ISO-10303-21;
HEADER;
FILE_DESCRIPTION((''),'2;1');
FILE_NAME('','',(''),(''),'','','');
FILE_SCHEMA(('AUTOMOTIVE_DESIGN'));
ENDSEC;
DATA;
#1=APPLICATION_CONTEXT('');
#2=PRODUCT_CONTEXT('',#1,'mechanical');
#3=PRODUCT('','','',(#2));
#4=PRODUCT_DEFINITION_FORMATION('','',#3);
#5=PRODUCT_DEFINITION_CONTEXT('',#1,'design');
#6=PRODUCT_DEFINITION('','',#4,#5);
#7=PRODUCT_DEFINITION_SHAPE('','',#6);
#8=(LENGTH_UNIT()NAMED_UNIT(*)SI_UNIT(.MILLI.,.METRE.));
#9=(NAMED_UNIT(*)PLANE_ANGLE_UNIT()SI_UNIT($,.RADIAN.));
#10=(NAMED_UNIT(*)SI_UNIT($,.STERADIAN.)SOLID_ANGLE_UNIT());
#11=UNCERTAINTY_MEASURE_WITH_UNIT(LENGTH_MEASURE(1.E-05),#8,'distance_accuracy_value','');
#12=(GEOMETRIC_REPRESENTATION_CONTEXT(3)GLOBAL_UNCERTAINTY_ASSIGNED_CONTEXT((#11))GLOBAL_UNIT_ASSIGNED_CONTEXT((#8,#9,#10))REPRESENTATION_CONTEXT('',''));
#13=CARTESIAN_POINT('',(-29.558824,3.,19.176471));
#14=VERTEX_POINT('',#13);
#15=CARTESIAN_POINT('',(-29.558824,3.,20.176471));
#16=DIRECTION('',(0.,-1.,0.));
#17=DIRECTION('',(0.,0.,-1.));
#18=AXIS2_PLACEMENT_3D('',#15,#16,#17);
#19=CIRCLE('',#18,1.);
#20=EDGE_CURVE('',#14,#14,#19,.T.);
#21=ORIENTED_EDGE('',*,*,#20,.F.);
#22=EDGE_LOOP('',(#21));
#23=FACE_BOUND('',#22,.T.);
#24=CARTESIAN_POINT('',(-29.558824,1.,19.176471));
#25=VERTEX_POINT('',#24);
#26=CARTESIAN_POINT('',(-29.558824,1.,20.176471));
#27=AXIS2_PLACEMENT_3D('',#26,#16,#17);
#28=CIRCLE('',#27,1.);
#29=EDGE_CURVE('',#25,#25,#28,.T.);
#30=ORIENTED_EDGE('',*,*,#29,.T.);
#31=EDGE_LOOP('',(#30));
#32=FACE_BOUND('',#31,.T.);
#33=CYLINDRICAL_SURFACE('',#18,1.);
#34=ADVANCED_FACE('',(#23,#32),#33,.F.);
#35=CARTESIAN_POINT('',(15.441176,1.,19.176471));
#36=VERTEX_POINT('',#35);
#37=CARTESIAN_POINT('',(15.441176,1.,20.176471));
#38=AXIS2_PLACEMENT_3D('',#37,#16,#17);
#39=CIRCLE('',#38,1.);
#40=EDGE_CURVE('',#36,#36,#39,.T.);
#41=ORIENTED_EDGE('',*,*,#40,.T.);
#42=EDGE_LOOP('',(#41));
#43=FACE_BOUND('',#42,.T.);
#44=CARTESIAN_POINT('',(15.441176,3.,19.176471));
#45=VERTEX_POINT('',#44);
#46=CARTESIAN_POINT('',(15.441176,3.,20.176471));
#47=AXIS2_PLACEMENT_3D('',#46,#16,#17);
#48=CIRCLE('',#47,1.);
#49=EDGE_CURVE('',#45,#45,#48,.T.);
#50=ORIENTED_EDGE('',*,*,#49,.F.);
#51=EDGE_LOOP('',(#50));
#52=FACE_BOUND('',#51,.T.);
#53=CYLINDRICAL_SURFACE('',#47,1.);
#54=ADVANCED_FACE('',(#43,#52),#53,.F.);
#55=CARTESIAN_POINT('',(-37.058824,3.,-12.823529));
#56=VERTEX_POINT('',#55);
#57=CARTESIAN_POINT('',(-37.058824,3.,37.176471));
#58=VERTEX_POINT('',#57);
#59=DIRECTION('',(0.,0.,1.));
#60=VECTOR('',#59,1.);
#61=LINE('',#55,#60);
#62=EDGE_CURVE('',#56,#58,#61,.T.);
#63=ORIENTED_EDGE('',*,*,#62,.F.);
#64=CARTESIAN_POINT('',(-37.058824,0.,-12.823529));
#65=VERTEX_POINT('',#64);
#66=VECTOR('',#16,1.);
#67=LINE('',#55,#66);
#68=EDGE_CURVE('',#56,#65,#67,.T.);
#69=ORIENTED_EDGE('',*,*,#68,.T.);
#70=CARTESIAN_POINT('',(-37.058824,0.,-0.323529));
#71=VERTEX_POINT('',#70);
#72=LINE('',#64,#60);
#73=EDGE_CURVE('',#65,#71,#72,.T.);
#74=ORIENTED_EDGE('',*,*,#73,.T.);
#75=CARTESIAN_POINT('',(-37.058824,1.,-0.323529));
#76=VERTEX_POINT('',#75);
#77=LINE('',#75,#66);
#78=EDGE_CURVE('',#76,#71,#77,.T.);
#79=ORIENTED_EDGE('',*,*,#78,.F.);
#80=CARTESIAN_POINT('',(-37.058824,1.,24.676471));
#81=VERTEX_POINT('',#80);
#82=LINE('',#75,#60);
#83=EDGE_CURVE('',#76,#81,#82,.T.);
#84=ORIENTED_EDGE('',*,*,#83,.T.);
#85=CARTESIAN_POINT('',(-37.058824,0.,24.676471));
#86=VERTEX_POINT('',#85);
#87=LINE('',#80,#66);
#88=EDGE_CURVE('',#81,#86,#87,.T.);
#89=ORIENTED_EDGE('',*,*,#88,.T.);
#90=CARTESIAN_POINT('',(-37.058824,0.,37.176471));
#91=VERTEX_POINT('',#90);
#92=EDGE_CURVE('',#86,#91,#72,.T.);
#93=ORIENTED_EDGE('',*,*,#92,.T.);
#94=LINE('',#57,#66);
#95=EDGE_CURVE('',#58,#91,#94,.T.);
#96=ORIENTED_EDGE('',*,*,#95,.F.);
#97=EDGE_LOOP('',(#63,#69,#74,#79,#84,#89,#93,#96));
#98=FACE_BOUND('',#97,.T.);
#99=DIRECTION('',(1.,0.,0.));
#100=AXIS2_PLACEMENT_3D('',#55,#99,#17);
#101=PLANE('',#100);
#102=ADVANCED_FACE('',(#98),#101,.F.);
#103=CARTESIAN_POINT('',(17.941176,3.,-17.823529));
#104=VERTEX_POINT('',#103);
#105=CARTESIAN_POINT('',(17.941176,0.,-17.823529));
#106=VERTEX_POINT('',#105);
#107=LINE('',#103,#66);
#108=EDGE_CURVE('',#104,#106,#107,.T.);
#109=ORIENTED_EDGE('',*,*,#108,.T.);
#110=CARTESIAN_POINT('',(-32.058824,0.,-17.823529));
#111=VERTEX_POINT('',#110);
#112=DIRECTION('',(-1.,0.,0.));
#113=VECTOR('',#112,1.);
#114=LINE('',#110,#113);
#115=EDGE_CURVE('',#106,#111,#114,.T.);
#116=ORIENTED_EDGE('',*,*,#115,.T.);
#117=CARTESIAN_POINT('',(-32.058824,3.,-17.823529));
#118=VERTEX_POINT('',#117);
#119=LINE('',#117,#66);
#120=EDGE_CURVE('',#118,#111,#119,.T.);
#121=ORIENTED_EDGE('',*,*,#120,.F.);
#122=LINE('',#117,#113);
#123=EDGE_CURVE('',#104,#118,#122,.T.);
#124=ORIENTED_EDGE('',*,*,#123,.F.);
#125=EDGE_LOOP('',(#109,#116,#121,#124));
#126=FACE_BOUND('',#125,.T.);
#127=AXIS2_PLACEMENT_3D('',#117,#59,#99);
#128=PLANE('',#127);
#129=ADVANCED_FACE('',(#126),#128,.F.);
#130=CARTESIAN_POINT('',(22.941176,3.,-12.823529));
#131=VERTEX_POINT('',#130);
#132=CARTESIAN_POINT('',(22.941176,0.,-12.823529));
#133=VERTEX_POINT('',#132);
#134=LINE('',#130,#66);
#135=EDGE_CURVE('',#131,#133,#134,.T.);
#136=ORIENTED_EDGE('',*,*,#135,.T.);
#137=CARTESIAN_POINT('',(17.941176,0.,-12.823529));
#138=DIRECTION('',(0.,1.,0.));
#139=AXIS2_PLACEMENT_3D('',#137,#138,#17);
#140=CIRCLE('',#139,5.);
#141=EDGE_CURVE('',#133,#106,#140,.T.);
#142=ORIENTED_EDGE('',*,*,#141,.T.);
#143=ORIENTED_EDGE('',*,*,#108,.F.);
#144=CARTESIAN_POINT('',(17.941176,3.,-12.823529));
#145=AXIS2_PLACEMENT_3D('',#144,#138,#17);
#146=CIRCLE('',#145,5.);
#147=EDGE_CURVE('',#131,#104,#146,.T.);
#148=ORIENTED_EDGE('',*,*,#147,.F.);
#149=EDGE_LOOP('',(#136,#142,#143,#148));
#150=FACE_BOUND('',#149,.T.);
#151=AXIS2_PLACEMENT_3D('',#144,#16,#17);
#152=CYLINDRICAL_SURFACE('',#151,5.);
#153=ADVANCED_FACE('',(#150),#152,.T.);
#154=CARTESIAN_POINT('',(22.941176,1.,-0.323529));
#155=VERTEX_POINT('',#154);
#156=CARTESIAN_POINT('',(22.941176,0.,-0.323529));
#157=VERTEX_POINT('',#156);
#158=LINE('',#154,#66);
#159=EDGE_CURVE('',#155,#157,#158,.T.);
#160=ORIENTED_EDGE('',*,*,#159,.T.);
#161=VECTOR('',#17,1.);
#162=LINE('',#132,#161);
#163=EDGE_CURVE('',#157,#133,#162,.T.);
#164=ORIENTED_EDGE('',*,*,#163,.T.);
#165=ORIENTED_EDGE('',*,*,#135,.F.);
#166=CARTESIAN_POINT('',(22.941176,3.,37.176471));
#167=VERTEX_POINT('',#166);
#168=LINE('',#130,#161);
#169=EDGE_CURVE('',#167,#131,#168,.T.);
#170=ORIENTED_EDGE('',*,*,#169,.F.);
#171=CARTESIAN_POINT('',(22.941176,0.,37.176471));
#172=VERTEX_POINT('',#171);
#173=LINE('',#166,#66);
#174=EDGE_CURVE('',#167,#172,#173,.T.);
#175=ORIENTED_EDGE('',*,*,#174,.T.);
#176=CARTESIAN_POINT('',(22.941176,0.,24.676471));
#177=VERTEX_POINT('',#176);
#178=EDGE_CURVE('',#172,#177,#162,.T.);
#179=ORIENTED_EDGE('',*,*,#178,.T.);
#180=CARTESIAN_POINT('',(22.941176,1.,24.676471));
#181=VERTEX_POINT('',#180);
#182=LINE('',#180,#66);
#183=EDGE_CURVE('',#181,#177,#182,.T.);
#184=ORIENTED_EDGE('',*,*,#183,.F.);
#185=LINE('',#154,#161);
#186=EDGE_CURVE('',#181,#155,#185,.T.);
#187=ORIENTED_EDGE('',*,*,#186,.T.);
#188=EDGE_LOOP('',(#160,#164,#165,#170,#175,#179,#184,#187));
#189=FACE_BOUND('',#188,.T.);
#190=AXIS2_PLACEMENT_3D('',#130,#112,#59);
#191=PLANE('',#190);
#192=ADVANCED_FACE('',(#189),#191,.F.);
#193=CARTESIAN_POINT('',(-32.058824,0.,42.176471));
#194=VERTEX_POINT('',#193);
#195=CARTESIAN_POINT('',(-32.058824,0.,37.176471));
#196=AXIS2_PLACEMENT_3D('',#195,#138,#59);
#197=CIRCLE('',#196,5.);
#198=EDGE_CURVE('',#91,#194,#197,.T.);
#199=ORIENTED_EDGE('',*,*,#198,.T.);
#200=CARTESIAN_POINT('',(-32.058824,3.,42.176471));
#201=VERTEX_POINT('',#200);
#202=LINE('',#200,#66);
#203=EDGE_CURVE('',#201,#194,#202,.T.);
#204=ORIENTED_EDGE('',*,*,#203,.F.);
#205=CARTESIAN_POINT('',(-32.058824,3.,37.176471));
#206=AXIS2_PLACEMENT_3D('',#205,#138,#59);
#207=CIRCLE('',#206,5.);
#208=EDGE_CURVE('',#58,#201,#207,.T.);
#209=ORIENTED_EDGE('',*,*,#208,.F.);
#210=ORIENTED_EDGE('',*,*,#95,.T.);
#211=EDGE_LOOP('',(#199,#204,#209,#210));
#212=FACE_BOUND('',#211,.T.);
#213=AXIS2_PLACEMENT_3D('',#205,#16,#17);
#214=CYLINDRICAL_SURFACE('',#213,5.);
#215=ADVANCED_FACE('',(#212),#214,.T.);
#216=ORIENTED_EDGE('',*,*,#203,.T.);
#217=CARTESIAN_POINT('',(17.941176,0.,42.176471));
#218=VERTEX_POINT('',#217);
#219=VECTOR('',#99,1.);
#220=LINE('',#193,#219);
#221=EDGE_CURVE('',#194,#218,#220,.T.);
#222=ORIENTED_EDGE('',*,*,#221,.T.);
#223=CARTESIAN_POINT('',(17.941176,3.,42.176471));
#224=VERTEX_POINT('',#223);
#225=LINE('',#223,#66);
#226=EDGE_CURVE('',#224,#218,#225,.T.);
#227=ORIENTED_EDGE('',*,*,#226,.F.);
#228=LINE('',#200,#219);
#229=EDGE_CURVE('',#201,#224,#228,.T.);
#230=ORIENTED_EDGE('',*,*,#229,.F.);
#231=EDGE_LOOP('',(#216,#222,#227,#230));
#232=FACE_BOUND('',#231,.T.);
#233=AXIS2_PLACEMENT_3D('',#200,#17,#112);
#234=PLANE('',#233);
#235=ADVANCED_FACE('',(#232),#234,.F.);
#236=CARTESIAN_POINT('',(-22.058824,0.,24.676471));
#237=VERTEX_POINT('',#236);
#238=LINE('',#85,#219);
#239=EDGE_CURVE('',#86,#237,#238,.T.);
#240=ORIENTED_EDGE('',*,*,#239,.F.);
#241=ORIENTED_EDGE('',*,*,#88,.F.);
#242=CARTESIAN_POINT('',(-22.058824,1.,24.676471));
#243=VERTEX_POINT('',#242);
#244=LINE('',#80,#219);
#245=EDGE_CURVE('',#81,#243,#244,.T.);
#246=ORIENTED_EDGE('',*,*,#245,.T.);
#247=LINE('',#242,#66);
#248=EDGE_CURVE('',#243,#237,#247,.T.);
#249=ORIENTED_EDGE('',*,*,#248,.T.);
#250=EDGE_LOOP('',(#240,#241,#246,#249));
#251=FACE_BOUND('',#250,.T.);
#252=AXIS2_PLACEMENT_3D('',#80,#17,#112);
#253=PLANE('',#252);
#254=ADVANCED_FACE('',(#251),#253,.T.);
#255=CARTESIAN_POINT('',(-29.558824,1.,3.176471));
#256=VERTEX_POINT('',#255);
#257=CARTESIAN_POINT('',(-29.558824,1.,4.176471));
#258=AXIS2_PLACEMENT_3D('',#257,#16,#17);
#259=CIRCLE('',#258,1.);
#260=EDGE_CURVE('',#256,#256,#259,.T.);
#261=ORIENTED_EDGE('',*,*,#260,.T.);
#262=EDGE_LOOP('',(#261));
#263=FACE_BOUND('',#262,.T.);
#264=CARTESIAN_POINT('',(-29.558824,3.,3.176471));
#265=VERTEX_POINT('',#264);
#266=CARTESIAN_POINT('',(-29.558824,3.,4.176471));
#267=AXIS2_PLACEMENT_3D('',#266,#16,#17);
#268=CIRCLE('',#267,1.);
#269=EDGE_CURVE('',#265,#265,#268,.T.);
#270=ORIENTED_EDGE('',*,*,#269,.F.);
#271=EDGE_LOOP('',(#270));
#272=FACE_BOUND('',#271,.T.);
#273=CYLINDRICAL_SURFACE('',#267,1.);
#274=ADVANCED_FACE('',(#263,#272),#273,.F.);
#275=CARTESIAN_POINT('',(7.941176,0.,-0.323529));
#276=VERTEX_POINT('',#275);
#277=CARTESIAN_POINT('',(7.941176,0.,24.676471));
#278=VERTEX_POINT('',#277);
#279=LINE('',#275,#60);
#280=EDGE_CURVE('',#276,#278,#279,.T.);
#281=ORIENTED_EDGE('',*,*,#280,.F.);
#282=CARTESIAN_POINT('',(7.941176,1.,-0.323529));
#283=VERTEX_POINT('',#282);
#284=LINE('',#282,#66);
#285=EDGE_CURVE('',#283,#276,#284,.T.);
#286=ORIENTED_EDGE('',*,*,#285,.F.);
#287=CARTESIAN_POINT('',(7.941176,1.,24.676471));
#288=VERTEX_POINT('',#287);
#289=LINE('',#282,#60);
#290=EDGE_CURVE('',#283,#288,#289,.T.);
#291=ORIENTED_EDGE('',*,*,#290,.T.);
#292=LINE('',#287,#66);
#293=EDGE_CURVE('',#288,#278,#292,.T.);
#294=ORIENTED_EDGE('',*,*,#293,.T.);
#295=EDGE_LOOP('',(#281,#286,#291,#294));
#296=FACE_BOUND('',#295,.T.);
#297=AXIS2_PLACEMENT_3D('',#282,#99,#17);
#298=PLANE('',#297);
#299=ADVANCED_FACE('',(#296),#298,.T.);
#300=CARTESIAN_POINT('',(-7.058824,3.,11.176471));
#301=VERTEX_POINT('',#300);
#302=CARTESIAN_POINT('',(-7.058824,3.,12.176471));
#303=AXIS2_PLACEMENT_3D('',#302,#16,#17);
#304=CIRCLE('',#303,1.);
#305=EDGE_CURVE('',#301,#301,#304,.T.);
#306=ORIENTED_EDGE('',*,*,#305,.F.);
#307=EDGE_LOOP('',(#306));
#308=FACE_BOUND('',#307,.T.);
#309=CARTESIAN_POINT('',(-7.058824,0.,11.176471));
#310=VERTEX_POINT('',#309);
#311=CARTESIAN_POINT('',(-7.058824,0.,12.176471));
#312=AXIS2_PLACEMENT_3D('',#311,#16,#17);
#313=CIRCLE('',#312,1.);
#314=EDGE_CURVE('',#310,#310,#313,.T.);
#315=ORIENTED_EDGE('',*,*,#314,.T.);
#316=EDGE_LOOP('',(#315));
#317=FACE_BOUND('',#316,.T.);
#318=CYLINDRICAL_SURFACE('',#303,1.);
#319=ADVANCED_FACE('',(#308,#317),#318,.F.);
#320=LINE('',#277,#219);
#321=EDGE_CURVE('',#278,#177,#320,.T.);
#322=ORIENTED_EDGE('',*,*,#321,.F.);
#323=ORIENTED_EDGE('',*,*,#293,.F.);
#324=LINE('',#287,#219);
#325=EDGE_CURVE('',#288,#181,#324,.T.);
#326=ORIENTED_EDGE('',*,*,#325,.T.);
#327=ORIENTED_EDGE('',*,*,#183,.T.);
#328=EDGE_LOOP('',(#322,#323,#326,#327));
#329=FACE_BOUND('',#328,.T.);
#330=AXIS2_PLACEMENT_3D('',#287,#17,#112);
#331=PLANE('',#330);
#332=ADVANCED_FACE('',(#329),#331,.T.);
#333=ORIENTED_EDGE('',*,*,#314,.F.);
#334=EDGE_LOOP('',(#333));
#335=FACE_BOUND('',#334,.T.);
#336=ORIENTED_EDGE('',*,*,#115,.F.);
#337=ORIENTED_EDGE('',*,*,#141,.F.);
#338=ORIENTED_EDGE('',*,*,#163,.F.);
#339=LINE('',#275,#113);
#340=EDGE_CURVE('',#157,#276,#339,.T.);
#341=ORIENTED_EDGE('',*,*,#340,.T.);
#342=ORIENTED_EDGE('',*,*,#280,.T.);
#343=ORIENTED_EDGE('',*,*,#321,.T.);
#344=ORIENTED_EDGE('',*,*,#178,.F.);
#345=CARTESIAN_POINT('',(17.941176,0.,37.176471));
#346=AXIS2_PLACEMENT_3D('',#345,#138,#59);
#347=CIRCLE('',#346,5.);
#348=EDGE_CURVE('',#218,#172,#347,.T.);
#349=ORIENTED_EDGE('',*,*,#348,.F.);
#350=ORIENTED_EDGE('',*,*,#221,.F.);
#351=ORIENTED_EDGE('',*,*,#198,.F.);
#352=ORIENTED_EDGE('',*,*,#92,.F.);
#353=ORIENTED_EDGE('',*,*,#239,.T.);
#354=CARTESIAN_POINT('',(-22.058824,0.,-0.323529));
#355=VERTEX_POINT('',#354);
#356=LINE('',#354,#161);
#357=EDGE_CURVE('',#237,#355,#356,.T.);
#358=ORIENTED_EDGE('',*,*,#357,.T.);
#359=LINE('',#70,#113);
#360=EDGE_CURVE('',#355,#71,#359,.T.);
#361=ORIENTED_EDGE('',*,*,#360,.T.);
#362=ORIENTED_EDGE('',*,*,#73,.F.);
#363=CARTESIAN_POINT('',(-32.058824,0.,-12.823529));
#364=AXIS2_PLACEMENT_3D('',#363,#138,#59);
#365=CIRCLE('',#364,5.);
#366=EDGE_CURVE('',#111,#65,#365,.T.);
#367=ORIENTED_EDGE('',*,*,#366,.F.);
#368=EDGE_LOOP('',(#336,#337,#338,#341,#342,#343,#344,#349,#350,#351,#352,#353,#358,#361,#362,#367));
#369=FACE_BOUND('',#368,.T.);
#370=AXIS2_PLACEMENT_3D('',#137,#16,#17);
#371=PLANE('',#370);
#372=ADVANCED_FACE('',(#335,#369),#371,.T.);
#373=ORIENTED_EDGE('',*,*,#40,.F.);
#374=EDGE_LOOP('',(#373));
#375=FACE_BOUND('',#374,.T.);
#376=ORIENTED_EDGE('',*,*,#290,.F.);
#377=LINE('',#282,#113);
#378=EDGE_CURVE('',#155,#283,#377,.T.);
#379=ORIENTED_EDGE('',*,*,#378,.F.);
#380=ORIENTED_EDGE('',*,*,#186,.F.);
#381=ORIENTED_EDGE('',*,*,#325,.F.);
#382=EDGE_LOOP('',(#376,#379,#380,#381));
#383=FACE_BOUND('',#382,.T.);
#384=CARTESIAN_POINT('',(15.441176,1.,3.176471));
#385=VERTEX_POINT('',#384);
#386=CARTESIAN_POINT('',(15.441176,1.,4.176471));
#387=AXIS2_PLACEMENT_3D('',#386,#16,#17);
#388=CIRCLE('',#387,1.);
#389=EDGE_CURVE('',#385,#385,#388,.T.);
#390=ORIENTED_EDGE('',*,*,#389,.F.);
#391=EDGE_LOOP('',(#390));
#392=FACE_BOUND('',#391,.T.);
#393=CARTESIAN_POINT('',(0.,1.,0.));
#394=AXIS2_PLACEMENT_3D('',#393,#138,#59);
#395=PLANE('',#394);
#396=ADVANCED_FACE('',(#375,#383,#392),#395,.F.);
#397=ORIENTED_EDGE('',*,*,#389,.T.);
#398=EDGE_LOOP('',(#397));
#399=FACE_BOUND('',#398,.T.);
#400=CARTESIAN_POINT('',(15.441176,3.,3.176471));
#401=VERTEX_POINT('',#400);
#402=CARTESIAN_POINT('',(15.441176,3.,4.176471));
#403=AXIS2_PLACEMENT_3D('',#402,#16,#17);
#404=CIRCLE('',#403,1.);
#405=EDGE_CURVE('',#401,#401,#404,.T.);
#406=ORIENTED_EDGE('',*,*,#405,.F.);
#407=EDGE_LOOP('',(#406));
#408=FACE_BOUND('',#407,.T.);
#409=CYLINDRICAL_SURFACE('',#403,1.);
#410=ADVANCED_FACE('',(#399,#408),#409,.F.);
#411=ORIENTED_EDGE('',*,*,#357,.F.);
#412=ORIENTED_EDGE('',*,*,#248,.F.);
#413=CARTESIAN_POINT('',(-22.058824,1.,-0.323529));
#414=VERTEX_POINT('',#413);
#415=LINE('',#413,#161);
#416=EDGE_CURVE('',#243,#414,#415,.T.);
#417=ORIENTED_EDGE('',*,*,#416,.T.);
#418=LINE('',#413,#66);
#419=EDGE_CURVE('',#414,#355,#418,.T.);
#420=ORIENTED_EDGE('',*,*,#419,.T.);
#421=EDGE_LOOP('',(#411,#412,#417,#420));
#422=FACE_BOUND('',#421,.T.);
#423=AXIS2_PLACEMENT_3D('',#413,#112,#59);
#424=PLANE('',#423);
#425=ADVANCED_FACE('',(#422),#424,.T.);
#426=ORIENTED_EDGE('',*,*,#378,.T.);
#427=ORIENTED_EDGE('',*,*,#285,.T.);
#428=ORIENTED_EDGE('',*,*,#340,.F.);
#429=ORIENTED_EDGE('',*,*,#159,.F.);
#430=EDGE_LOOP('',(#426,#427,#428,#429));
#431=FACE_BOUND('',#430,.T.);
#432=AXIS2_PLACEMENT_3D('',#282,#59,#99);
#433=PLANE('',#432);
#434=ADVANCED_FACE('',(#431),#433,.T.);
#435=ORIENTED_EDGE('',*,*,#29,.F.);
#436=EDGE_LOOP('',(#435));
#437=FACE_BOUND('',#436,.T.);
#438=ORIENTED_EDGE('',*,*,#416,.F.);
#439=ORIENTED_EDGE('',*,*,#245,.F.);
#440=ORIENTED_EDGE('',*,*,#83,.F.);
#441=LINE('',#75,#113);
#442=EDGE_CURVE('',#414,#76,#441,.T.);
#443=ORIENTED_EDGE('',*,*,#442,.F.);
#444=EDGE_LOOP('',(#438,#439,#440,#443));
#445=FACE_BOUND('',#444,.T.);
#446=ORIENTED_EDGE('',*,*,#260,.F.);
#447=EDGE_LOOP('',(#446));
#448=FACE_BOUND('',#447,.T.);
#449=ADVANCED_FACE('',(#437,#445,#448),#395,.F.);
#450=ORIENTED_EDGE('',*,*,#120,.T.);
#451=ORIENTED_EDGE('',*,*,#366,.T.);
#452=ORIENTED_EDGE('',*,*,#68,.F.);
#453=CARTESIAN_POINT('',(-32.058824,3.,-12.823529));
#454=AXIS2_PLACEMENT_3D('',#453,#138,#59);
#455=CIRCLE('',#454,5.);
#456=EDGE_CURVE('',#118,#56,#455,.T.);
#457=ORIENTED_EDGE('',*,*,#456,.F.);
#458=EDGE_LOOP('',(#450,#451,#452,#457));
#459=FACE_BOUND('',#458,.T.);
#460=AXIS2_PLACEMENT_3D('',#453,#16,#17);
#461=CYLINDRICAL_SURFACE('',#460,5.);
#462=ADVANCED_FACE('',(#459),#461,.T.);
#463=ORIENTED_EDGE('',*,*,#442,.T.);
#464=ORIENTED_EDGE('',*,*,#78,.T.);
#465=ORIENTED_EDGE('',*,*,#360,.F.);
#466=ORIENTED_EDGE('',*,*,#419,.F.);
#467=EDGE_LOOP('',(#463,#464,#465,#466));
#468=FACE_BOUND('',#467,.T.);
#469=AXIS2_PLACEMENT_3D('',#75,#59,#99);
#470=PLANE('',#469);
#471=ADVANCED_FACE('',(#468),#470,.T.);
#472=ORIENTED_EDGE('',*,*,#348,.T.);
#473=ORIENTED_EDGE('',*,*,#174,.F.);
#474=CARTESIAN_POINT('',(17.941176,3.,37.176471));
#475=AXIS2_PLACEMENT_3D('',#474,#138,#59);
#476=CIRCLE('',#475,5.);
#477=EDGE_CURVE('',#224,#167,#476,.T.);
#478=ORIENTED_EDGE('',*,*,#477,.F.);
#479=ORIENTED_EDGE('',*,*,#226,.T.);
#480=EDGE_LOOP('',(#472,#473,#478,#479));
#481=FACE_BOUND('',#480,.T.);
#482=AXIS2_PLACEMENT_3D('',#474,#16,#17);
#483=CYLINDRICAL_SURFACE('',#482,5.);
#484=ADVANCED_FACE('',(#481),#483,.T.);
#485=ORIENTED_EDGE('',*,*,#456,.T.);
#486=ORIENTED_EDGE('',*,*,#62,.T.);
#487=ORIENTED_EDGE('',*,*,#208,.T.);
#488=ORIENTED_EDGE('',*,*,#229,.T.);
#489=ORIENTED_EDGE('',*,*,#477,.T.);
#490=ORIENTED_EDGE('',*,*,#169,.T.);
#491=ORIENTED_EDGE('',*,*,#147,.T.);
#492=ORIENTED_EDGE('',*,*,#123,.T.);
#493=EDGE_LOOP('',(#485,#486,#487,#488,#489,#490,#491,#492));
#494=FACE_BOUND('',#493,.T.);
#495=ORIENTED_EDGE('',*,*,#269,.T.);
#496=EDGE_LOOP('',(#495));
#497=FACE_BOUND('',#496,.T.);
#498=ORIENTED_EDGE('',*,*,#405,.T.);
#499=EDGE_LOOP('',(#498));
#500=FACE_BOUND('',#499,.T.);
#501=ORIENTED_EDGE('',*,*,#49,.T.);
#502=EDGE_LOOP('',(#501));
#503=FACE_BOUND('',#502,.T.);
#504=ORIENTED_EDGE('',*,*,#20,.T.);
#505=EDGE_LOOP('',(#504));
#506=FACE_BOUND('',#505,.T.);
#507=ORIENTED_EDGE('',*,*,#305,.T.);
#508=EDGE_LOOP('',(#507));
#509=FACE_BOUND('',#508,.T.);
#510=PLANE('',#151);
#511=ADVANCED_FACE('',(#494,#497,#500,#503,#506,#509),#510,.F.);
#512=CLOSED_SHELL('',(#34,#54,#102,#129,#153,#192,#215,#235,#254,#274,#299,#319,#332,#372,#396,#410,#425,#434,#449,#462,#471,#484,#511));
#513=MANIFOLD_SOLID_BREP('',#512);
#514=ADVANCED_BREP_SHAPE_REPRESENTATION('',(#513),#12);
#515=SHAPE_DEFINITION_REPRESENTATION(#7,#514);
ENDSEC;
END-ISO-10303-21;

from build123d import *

# Parameters (mm, degrees)
BOSS_EXTRUDE1_DEPTH = 3
SKETCH2_W           = 15
SKETCH2_H           = 25
CUT_EXTRUDE1_DEPTH  = 1
SKETCH3_R           = 1
CUT_EXTRUDE2_DEPTH  = 2
SKETCH4_R           = 1
CUT_EXTRUDE4_DEPTH  = 3


with BuildPart() as part:
    # Sketch1 → Boss-Extrude1 (new body)
    with BuildSketch(Plane(origin=(0, 0, 0), x_dir=(1, 0, 0), z_dir=(0, 1, 0))):
        with BuildLine():
            Line((-32.058823529, 17.823529412), (17.941176471, 17.823529412))
            ThreePointArc((17.941176471, 17.823529412), (21.476710377, 16.359063318), (22.941176471, 12.823529412))
            Line((22.941176471, 12.823529412), (22.941176471, -37.176470588))
            ThreePointArc((22.941176471, -37.176470588), (21.476710377, -40.712004494), (17.941176471, -42.176470588))
            Line((17.941176471, -42.176470588), (-32.058823529, -42.176470588))
            ThreePointArc((-32.058823529, -42.176470588), (-35.594357435, -40.712004494), (-37.058823529, -37.176470588))
            Line((-37.058823529, -37.176470588), (-37.058823529, 12.823529412))
            ThreePointArc((-37.058823529, 12.823529412), (-35.594357435, 16.359063318), (-32.058823529, 17.823529412))
        make_face()
    extrude(amount=BOSS_EXTRUDE1_DEPTH)

    # Sketch2 → Cut-Extrude1 (cut)
    with BuildSketch(Plane(origin=(0, 0, 0), x_dir=(1, 0, 0), z_dir=(0, 1, 0))):
        with Locations((-29.558823529, -12.176470588)):
            Rectangle(SKETCH2_W, SKETCH2_H)
        with Locations((15.441176471, -12.176470588)):
            Rectangle(SKETCH2_W, SKETCH2_H)
    extrude(amount=CUT_EXTRUDE1_DEPTH, mode=Mode.SUBTRACT)

    # Sketch3 → Cut-Extrude2 (cut)
    with BuildSketch(Plane(origin=(0, 1, 0), x_dir=(-1, 0, 0), z_dir=(0, -1, 0))):
        with Locations(Location((29.558823529, -20.176470588, 0), (0, 0, 90))):
            Circle(SKETCH3_R)
        with Locations(Location((29.558823529, -4.176470588, 0), (0, 0, 90))):
            Circle(SKETCH3_R)
        with Locations(Location((-15.441176471, -20.176470588, 0), (0, 0, 90))):
            Circle(SKETCH3_R)
        with Locations(Location((-15.441176471, -4.176470588, 0), (0, 0, 90))):
            Circle(SKETCH3_R)
    extrude(amount=-CUT_EXTRUDE2_DEPTH, mode=Mode.SUBTRACT)

    # Sketch4 → Cut-Extrude4 (cut)
    with BuildSketch(Plane(origin=(0, 0, 0), x_dir=(-1, 0, 0), z_dir=(0, -1, 0))):
        with Locations(Location((7.058823529, -12.176470588, 0), (0, 0, 90))):
            Circle(SKETCH4_R)
    extrude(amount=-CUT_EXTRUDE4_DEPTH, mode=Mode.SUBTRACT)


solid = part.part
